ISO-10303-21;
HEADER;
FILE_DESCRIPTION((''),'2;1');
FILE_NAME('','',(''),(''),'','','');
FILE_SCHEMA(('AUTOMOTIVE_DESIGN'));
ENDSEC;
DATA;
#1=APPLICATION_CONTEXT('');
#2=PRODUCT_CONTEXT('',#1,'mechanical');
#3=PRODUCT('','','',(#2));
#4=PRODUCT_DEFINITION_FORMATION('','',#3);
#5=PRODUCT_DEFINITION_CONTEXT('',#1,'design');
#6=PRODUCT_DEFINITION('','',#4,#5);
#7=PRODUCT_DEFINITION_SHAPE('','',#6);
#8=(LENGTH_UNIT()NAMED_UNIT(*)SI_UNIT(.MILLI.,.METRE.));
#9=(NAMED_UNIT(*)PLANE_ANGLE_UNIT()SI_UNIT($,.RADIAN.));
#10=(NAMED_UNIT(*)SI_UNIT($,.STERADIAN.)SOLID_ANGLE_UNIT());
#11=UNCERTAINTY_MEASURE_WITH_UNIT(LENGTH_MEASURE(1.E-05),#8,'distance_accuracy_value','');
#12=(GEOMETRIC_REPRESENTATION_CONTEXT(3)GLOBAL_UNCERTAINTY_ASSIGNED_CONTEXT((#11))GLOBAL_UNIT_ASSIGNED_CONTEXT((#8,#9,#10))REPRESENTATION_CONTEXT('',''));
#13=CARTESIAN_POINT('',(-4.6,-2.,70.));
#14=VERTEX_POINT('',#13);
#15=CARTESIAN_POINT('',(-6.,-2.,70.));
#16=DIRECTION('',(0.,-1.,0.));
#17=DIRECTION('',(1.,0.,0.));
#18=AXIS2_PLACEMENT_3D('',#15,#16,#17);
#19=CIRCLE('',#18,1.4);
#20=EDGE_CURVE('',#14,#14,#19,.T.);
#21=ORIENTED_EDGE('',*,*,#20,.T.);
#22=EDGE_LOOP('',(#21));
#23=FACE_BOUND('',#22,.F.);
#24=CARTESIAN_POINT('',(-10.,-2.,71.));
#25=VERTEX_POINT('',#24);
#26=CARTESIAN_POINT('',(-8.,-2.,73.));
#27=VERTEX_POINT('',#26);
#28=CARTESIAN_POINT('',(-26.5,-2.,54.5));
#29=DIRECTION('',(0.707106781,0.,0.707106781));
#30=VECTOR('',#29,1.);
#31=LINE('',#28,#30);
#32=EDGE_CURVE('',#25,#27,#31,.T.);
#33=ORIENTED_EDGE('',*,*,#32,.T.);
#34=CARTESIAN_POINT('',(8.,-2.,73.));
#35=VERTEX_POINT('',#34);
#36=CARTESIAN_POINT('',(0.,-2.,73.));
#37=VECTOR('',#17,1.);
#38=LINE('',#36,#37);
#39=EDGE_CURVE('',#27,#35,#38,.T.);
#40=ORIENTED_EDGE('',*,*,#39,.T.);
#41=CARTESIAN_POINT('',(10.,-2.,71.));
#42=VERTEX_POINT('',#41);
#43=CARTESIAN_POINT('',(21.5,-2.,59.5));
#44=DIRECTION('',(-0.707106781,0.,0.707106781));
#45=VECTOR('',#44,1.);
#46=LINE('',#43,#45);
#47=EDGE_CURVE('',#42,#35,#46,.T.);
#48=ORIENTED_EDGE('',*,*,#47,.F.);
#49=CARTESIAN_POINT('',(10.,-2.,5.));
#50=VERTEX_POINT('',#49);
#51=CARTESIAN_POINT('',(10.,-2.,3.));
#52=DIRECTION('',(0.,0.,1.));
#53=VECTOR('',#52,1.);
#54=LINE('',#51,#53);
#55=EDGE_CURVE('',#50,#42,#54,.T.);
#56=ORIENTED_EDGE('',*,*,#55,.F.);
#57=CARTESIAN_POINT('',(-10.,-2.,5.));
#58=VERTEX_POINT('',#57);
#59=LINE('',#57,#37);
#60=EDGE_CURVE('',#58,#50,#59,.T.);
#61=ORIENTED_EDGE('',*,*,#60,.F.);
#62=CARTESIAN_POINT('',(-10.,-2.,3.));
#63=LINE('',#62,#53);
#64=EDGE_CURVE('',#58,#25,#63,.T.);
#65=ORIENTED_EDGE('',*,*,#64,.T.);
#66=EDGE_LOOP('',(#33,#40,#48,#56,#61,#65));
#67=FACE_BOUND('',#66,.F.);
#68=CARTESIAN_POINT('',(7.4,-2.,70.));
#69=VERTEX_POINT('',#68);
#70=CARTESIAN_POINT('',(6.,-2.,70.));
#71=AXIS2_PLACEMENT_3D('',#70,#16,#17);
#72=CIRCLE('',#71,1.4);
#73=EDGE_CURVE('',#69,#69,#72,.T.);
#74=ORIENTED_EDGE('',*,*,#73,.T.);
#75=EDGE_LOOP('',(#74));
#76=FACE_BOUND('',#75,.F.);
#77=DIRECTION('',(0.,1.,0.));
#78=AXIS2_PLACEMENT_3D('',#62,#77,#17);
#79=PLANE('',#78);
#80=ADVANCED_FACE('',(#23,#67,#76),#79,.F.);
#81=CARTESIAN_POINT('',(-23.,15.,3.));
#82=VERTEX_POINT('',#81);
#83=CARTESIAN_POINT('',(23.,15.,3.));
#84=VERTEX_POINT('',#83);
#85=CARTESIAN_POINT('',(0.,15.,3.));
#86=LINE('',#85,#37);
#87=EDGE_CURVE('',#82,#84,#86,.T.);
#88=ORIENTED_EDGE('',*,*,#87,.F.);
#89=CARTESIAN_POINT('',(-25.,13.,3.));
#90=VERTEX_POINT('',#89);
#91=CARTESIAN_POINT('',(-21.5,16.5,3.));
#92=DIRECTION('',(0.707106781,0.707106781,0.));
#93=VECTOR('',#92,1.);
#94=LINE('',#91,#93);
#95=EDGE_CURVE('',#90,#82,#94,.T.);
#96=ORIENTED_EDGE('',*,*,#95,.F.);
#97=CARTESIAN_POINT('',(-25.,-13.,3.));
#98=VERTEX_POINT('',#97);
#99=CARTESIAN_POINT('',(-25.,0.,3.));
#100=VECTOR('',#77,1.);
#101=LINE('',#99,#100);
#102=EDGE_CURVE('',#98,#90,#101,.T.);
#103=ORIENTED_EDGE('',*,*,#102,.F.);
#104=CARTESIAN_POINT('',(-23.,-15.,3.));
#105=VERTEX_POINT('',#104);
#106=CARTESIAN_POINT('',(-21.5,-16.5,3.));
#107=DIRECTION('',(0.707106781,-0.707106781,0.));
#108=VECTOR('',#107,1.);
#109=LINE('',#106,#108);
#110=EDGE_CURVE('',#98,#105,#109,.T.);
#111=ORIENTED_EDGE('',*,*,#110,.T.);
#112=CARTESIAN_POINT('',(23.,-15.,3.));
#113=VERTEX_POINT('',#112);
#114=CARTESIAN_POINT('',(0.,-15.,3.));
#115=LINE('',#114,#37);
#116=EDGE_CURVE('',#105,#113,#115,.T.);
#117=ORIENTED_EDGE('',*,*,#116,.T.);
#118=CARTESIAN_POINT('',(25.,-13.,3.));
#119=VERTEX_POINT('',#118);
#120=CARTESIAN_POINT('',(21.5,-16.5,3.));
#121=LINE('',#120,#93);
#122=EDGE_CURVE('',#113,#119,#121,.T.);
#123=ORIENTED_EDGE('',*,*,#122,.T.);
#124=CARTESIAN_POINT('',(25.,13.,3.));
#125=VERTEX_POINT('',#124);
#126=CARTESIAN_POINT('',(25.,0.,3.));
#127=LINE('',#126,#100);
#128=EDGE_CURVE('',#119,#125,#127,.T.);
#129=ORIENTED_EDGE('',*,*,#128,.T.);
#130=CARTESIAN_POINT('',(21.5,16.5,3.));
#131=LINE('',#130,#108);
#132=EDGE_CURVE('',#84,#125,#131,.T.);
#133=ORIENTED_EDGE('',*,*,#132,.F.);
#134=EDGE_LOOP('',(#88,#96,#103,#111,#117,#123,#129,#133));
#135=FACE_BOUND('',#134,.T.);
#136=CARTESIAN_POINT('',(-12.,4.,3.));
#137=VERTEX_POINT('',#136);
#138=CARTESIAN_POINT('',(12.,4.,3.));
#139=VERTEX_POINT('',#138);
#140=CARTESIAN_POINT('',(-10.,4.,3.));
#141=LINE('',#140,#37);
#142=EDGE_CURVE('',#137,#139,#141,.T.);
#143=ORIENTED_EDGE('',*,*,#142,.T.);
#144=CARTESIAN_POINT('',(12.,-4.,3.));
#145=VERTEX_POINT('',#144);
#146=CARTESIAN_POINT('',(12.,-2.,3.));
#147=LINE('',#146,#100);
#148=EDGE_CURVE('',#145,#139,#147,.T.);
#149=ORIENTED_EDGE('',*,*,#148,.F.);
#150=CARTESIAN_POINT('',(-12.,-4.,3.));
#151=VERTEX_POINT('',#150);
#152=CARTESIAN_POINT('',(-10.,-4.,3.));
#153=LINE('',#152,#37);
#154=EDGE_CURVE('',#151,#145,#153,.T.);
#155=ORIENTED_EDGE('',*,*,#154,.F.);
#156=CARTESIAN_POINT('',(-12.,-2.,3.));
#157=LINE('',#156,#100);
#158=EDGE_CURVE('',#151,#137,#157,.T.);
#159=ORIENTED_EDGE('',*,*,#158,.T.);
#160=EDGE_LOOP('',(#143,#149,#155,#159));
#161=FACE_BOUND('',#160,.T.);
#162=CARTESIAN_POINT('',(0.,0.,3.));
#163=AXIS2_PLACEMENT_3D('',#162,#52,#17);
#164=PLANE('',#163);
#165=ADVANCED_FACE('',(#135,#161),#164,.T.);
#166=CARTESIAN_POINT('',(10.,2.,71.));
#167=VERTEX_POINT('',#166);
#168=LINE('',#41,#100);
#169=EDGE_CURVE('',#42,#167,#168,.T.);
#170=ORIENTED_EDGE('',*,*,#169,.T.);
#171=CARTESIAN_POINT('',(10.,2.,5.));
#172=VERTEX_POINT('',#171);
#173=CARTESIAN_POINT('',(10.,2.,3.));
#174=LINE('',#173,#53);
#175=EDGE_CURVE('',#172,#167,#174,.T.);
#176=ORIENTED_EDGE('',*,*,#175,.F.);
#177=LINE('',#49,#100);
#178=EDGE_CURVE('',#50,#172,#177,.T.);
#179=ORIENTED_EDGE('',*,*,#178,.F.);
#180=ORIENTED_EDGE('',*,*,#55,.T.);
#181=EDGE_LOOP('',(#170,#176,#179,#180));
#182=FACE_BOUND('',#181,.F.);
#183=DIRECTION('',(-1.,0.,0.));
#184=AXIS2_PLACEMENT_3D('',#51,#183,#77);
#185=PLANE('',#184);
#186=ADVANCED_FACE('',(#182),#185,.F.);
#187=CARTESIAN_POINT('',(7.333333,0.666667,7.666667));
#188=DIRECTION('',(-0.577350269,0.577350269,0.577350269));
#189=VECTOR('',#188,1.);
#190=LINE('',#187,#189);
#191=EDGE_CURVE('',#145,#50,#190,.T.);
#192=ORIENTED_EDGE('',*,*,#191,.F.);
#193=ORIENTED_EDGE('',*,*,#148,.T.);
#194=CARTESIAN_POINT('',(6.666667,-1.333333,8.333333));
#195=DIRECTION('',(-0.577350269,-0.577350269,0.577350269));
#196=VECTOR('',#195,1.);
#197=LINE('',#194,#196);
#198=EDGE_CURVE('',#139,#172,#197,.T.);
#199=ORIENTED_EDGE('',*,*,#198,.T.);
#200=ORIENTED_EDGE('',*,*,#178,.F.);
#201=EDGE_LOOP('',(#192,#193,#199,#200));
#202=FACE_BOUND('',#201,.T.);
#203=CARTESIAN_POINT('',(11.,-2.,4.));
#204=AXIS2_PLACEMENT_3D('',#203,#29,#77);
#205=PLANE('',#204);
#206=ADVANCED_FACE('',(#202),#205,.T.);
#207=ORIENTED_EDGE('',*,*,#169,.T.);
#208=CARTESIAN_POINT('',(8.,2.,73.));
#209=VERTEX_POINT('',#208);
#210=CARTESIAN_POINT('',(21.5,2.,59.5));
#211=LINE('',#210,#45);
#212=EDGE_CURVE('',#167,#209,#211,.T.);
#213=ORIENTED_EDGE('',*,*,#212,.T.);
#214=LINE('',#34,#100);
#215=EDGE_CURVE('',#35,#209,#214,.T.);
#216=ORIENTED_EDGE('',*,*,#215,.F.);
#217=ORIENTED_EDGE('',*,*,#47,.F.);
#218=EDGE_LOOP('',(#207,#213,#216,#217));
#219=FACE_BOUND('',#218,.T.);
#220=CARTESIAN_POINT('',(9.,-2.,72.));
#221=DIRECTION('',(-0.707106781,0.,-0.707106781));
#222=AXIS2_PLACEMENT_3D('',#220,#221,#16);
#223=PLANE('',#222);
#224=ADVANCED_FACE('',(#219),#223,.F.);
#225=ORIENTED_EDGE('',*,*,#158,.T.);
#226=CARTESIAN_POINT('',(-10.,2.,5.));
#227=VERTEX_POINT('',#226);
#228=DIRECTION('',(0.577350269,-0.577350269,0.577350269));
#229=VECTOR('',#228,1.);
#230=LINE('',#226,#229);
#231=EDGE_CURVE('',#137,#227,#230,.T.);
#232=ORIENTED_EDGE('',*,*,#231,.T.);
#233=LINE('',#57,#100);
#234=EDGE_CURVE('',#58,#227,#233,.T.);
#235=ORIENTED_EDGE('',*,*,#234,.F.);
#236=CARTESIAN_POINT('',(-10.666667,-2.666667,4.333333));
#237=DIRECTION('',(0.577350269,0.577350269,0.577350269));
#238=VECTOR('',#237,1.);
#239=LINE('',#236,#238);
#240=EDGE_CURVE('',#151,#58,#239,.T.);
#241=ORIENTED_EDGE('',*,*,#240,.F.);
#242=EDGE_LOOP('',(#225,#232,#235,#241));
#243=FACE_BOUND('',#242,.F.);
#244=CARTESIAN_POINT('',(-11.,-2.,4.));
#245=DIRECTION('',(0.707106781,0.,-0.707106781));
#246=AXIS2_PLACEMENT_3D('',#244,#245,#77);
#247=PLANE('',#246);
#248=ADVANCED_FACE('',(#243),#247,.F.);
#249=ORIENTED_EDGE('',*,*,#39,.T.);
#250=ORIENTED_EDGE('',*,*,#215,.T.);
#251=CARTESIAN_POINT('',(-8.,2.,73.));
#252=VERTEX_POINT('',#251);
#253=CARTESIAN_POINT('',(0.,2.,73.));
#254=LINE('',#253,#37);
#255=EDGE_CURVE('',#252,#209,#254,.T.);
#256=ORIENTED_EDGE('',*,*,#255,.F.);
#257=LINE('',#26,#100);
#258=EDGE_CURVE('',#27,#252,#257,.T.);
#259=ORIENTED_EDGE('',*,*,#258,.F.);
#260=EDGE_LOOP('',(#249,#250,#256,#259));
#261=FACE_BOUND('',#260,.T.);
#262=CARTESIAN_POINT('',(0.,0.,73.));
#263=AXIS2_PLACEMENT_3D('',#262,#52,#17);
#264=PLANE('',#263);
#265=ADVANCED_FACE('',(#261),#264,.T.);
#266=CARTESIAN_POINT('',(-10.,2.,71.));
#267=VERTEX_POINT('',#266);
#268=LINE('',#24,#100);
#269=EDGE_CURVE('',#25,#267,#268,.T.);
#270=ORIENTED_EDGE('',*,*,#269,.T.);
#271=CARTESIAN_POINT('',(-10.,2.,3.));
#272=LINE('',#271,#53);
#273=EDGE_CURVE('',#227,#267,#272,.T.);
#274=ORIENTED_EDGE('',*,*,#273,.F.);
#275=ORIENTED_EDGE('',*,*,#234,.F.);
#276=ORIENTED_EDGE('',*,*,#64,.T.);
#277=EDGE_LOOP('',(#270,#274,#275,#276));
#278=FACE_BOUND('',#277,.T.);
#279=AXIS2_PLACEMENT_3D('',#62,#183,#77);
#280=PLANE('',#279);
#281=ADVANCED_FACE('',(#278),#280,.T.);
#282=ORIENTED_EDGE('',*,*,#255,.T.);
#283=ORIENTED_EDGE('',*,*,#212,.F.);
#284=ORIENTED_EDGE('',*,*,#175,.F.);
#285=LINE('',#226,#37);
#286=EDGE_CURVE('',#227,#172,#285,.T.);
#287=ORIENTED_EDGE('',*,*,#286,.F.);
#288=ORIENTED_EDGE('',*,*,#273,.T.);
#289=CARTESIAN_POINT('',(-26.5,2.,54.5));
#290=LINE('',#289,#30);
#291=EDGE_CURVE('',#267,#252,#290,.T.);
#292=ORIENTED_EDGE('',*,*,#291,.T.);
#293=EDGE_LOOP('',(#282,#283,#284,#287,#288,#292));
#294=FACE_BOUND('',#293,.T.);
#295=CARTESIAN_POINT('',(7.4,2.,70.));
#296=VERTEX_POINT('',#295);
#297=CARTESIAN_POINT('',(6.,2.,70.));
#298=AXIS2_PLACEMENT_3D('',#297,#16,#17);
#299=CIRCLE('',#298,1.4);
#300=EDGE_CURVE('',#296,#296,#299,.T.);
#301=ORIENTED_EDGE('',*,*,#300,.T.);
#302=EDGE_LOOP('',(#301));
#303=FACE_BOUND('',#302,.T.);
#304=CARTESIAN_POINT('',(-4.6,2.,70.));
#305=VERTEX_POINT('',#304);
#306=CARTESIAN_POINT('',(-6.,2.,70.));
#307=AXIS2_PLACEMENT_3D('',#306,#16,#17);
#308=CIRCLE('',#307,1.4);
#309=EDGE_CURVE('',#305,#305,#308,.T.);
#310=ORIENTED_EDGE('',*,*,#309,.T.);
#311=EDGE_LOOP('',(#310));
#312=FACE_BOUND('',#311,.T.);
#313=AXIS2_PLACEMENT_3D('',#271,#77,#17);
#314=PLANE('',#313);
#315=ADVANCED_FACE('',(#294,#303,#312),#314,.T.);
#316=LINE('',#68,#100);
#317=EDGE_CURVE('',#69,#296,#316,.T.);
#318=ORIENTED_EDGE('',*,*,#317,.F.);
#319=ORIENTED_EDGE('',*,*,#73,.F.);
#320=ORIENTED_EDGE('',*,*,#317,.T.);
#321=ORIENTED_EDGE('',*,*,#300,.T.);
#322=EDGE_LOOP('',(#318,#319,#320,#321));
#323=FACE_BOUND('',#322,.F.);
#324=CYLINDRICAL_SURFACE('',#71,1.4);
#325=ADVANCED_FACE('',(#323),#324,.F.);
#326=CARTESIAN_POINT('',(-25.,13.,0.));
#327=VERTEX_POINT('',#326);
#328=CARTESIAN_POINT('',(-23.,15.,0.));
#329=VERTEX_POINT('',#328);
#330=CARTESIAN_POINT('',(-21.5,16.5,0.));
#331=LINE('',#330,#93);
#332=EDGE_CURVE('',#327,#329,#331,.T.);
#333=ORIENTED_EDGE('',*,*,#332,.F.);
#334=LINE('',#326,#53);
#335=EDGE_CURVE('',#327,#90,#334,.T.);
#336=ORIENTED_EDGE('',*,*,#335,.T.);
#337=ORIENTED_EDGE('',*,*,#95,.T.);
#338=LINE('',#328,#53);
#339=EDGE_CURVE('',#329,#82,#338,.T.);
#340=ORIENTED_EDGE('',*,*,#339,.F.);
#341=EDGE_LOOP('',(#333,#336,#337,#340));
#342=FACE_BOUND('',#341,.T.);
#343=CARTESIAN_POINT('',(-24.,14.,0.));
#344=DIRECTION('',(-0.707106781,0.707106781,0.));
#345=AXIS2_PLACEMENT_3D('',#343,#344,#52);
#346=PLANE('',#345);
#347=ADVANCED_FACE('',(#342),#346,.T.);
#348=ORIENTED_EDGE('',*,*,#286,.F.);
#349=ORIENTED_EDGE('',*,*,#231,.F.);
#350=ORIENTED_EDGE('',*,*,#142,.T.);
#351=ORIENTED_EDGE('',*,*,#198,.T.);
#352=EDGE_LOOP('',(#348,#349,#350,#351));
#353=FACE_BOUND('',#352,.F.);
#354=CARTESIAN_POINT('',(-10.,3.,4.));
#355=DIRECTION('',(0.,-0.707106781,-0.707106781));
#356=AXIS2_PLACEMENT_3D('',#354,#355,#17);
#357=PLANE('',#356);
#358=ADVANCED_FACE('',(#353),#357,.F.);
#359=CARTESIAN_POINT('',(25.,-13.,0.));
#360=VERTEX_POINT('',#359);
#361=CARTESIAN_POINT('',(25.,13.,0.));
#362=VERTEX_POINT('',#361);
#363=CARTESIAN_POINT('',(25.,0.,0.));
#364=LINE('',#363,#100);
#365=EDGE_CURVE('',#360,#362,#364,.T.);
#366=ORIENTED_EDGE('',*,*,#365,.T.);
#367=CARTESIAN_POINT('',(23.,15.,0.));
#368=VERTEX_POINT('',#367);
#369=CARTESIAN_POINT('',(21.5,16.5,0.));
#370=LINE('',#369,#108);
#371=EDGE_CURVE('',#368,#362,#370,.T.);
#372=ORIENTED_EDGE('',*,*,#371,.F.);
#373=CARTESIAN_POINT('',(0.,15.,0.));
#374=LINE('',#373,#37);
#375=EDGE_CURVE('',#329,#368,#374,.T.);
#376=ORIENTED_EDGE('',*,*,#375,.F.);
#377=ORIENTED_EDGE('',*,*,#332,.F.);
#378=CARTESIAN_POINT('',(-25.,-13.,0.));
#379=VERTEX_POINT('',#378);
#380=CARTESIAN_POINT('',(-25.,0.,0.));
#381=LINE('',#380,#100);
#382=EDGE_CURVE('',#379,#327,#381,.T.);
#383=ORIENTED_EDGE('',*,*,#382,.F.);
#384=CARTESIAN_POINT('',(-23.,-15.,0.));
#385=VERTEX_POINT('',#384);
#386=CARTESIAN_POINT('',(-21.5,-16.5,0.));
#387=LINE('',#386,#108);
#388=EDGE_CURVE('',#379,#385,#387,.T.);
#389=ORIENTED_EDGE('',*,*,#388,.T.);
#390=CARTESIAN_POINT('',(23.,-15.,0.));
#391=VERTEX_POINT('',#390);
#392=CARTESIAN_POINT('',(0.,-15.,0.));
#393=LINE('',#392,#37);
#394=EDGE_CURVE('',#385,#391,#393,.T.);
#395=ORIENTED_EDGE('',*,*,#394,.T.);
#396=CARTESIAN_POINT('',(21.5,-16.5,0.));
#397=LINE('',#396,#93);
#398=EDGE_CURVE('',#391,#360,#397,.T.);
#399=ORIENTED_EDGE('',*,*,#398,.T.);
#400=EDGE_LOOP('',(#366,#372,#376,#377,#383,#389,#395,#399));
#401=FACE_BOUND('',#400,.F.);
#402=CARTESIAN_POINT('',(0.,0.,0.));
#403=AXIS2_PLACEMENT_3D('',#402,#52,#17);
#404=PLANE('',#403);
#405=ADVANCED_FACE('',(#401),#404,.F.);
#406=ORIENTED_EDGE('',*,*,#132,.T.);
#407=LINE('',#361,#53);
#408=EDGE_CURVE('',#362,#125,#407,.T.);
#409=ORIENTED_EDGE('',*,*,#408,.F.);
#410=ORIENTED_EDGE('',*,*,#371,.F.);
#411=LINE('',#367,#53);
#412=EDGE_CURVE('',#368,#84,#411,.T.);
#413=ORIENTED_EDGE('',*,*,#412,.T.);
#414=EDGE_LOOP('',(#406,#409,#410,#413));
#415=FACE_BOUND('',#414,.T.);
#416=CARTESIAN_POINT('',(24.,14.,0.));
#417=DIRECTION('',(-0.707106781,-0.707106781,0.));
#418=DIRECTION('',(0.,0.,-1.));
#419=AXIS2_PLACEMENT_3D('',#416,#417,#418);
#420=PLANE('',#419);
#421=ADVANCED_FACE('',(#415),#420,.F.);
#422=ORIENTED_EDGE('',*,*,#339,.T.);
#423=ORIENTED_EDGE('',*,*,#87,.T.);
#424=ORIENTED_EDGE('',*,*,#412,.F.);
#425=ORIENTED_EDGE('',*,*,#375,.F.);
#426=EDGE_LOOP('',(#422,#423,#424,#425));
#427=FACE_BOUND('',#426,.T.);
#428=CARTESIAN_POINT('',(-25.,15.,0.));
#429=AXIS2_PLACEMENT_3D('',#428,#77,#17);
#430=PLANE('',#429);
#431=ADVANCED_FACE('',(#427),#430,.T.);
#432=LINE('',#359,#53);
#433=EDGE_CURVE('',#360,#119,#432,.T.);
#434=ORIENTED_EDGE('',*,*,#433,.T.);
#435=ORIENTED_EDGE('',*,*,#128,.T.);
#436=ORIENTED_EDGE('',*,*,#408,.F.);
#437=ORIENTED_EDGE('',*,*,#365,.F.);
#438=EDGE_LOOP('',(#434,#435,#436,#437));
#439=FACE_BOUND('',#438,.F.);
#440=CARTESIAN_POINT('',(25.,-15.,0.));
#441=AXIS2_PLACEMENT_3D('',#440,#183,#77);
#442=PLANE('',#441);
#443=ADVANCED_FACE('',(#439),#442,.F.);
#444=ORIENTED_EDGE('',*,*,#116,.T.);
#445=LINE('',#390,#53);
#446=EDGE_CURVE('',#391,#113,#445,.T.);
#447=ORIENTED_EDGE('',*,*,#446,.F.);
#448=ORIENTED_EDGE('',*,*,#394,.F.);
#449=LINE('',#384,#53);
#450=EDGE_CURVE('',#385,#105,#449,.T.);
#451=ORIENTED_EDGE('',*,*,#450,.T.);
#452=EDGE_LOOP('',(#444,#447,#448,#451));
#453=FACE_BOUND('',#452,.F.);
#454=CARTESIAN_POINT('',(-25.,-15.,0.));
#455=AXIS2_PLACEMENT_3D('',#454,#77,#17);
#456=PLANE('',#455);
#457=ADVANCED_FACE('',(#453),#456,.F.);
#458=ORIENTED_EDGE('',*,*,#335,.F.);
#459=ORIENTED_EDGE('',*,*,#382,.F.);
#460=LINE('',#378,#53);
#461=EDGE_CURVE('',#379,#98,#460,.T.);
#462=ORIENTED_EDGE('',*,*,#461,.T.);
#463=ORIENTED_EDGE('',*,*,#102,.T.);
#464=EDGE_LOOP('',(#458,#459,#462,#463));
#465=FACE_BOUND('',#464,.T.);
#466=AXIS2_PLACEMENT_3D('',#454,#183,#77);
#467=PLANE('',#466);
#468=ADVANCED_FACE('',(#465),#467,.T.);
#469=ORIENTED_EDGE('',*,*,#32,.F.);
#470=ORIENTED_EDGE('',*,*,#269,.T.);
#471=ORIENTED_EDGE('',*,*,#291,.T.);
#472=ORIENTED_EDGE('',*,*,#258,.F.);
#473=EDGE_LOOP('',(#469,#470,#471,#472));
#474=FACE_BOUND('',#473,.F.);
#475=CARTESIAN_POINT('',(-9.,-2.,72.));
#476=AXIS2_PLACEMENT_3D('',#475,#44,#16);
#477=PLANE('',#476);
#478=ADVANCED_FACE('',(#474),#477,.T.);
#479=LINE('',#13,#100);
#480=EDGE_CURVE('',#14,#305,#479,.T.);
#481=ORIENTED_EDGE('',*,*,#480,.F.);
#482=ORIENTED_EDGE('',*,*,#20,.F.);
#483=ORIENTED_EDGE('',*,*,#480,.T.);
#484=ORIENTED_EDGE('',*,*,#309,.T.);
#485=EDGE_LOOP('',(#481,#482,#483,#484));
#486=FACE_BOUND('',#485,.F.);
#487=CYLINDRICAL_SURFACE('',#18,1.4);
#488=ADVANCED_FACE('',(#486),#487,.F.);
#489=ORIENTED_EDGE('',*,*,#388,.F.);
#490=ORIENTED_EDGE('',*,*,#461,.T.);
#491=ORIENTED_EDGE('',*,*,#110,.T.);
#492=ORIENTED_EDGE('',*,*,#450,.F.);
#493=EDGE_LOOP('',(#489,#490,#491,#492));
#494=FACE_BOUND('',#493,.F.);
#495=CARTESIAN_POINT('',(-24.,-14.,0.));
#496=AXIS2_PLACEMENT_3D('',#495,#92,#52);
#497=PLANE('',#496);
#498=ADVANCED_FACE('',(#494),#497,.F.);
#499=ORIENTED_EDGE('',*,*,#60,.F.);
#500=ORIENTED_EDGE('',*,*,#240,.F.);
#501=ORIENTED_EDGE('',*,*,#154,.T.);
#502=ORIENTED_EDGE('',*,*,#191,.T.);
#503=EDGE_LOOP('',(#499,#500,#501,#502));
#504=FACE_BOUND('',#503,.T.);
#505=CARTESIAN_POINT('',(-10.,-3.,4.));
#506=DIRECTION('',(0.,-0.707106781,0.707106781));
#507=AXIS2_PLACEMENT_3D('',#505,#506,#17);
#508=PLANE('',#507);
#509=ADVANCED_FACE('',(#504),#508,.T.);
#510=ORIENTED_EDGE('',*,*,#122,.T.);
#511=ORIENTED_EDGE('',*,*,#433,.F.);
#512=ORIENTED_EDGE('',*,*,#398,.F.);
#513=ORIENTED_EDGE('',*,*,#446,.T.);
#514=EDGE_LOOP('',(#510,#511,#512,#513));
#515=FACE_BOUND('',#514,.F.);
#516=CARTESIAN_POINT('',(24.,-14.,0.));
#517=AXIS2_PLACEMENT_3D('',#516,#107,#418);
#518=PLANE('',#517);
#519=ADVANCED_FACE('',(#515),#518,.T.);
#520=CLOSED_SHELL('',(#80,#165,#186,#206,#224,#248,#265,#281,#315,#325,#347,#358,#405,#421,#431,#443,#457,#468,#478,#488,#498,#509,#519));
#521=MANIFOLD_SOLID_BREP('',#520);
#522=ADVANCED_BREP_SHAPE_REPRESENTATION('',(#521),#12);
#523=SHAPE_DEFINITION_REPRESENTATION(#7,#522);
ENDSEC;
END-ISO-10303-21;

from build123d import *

# Parameters (mm, degrees)
SKETCH_W        = 50
SKETCH_H        = 30
PAD_DEPTH       = 3
SKETCH001_W     = 20
SKETCH001_H     = 4
PAD001_DEPTH    = 70
SKETCH002_R     = 1.4
POCKET_DEPTH    = 5
CHAMFER_SIZE    = 2
CHAMFER001_SIZE = 2
CHAMFER002_SIZE = 2


with BuildPart() as part:
    # Sketch → Pad (new body)
    with BuildSketch(Plane.XY):
        Rectangle(SKETCH_W, SKETCH_H)
    extrude(amount=PAD_DEPTH)

    # Sketch001 (on Face6 of Pad) → Pad001 (join)
    with BuildSketch(Plane.XY.offset(3)):
        Rectangle(SKETCH001_W, SKETCH001_H)
    extrude(amount=PAD001_DEPTH)

    # Sketch002 (on Face9 of Pad001) → Pocket (cut)
    with BuildSketch(Plane.XZ.offset(2)):
        with Locations((-6, 70)):
            Circle(SKETCH002_R)
        with Locations((6, 70)):
            Circle(SKETCH002_R)
    extrude(amount=-POCKET_DEPTH, mode=Mode.SUBTRACT)

    # Chamfer
    chamfer_edges = [part.edges().sort_by_distance(p)[0] for p in [
        (10, 0, 3),
        (0, -2, 3),
        (0, 2, 3),
        (-10, 0, 3),
    ]]
    chamfer(chamfer_edges, length=CHAMFER_SIZE)

    # Chamfer001
    chamfer001_edges = [part.edges().sort_by_distance(p)[0] for p in [
        (-25, -15, 1.5),
        (-25, 15, 1.5),
        (25, -15, 1.5),
        (25, 15, 1.5),
    ]]
    chamfer(chamfer001_edges, length=CHAMFER001_SIZE)

    # Chamfer002
    chamfer002_edges = [part.edges().sort_by_distance(p)[0] for p in [
        (10, 0, 73),
        (-10, 0, 73),
    ]]
    chamfer(chamfer002_edges, length=CHAMFER002_SIZE)


solid = part.part
